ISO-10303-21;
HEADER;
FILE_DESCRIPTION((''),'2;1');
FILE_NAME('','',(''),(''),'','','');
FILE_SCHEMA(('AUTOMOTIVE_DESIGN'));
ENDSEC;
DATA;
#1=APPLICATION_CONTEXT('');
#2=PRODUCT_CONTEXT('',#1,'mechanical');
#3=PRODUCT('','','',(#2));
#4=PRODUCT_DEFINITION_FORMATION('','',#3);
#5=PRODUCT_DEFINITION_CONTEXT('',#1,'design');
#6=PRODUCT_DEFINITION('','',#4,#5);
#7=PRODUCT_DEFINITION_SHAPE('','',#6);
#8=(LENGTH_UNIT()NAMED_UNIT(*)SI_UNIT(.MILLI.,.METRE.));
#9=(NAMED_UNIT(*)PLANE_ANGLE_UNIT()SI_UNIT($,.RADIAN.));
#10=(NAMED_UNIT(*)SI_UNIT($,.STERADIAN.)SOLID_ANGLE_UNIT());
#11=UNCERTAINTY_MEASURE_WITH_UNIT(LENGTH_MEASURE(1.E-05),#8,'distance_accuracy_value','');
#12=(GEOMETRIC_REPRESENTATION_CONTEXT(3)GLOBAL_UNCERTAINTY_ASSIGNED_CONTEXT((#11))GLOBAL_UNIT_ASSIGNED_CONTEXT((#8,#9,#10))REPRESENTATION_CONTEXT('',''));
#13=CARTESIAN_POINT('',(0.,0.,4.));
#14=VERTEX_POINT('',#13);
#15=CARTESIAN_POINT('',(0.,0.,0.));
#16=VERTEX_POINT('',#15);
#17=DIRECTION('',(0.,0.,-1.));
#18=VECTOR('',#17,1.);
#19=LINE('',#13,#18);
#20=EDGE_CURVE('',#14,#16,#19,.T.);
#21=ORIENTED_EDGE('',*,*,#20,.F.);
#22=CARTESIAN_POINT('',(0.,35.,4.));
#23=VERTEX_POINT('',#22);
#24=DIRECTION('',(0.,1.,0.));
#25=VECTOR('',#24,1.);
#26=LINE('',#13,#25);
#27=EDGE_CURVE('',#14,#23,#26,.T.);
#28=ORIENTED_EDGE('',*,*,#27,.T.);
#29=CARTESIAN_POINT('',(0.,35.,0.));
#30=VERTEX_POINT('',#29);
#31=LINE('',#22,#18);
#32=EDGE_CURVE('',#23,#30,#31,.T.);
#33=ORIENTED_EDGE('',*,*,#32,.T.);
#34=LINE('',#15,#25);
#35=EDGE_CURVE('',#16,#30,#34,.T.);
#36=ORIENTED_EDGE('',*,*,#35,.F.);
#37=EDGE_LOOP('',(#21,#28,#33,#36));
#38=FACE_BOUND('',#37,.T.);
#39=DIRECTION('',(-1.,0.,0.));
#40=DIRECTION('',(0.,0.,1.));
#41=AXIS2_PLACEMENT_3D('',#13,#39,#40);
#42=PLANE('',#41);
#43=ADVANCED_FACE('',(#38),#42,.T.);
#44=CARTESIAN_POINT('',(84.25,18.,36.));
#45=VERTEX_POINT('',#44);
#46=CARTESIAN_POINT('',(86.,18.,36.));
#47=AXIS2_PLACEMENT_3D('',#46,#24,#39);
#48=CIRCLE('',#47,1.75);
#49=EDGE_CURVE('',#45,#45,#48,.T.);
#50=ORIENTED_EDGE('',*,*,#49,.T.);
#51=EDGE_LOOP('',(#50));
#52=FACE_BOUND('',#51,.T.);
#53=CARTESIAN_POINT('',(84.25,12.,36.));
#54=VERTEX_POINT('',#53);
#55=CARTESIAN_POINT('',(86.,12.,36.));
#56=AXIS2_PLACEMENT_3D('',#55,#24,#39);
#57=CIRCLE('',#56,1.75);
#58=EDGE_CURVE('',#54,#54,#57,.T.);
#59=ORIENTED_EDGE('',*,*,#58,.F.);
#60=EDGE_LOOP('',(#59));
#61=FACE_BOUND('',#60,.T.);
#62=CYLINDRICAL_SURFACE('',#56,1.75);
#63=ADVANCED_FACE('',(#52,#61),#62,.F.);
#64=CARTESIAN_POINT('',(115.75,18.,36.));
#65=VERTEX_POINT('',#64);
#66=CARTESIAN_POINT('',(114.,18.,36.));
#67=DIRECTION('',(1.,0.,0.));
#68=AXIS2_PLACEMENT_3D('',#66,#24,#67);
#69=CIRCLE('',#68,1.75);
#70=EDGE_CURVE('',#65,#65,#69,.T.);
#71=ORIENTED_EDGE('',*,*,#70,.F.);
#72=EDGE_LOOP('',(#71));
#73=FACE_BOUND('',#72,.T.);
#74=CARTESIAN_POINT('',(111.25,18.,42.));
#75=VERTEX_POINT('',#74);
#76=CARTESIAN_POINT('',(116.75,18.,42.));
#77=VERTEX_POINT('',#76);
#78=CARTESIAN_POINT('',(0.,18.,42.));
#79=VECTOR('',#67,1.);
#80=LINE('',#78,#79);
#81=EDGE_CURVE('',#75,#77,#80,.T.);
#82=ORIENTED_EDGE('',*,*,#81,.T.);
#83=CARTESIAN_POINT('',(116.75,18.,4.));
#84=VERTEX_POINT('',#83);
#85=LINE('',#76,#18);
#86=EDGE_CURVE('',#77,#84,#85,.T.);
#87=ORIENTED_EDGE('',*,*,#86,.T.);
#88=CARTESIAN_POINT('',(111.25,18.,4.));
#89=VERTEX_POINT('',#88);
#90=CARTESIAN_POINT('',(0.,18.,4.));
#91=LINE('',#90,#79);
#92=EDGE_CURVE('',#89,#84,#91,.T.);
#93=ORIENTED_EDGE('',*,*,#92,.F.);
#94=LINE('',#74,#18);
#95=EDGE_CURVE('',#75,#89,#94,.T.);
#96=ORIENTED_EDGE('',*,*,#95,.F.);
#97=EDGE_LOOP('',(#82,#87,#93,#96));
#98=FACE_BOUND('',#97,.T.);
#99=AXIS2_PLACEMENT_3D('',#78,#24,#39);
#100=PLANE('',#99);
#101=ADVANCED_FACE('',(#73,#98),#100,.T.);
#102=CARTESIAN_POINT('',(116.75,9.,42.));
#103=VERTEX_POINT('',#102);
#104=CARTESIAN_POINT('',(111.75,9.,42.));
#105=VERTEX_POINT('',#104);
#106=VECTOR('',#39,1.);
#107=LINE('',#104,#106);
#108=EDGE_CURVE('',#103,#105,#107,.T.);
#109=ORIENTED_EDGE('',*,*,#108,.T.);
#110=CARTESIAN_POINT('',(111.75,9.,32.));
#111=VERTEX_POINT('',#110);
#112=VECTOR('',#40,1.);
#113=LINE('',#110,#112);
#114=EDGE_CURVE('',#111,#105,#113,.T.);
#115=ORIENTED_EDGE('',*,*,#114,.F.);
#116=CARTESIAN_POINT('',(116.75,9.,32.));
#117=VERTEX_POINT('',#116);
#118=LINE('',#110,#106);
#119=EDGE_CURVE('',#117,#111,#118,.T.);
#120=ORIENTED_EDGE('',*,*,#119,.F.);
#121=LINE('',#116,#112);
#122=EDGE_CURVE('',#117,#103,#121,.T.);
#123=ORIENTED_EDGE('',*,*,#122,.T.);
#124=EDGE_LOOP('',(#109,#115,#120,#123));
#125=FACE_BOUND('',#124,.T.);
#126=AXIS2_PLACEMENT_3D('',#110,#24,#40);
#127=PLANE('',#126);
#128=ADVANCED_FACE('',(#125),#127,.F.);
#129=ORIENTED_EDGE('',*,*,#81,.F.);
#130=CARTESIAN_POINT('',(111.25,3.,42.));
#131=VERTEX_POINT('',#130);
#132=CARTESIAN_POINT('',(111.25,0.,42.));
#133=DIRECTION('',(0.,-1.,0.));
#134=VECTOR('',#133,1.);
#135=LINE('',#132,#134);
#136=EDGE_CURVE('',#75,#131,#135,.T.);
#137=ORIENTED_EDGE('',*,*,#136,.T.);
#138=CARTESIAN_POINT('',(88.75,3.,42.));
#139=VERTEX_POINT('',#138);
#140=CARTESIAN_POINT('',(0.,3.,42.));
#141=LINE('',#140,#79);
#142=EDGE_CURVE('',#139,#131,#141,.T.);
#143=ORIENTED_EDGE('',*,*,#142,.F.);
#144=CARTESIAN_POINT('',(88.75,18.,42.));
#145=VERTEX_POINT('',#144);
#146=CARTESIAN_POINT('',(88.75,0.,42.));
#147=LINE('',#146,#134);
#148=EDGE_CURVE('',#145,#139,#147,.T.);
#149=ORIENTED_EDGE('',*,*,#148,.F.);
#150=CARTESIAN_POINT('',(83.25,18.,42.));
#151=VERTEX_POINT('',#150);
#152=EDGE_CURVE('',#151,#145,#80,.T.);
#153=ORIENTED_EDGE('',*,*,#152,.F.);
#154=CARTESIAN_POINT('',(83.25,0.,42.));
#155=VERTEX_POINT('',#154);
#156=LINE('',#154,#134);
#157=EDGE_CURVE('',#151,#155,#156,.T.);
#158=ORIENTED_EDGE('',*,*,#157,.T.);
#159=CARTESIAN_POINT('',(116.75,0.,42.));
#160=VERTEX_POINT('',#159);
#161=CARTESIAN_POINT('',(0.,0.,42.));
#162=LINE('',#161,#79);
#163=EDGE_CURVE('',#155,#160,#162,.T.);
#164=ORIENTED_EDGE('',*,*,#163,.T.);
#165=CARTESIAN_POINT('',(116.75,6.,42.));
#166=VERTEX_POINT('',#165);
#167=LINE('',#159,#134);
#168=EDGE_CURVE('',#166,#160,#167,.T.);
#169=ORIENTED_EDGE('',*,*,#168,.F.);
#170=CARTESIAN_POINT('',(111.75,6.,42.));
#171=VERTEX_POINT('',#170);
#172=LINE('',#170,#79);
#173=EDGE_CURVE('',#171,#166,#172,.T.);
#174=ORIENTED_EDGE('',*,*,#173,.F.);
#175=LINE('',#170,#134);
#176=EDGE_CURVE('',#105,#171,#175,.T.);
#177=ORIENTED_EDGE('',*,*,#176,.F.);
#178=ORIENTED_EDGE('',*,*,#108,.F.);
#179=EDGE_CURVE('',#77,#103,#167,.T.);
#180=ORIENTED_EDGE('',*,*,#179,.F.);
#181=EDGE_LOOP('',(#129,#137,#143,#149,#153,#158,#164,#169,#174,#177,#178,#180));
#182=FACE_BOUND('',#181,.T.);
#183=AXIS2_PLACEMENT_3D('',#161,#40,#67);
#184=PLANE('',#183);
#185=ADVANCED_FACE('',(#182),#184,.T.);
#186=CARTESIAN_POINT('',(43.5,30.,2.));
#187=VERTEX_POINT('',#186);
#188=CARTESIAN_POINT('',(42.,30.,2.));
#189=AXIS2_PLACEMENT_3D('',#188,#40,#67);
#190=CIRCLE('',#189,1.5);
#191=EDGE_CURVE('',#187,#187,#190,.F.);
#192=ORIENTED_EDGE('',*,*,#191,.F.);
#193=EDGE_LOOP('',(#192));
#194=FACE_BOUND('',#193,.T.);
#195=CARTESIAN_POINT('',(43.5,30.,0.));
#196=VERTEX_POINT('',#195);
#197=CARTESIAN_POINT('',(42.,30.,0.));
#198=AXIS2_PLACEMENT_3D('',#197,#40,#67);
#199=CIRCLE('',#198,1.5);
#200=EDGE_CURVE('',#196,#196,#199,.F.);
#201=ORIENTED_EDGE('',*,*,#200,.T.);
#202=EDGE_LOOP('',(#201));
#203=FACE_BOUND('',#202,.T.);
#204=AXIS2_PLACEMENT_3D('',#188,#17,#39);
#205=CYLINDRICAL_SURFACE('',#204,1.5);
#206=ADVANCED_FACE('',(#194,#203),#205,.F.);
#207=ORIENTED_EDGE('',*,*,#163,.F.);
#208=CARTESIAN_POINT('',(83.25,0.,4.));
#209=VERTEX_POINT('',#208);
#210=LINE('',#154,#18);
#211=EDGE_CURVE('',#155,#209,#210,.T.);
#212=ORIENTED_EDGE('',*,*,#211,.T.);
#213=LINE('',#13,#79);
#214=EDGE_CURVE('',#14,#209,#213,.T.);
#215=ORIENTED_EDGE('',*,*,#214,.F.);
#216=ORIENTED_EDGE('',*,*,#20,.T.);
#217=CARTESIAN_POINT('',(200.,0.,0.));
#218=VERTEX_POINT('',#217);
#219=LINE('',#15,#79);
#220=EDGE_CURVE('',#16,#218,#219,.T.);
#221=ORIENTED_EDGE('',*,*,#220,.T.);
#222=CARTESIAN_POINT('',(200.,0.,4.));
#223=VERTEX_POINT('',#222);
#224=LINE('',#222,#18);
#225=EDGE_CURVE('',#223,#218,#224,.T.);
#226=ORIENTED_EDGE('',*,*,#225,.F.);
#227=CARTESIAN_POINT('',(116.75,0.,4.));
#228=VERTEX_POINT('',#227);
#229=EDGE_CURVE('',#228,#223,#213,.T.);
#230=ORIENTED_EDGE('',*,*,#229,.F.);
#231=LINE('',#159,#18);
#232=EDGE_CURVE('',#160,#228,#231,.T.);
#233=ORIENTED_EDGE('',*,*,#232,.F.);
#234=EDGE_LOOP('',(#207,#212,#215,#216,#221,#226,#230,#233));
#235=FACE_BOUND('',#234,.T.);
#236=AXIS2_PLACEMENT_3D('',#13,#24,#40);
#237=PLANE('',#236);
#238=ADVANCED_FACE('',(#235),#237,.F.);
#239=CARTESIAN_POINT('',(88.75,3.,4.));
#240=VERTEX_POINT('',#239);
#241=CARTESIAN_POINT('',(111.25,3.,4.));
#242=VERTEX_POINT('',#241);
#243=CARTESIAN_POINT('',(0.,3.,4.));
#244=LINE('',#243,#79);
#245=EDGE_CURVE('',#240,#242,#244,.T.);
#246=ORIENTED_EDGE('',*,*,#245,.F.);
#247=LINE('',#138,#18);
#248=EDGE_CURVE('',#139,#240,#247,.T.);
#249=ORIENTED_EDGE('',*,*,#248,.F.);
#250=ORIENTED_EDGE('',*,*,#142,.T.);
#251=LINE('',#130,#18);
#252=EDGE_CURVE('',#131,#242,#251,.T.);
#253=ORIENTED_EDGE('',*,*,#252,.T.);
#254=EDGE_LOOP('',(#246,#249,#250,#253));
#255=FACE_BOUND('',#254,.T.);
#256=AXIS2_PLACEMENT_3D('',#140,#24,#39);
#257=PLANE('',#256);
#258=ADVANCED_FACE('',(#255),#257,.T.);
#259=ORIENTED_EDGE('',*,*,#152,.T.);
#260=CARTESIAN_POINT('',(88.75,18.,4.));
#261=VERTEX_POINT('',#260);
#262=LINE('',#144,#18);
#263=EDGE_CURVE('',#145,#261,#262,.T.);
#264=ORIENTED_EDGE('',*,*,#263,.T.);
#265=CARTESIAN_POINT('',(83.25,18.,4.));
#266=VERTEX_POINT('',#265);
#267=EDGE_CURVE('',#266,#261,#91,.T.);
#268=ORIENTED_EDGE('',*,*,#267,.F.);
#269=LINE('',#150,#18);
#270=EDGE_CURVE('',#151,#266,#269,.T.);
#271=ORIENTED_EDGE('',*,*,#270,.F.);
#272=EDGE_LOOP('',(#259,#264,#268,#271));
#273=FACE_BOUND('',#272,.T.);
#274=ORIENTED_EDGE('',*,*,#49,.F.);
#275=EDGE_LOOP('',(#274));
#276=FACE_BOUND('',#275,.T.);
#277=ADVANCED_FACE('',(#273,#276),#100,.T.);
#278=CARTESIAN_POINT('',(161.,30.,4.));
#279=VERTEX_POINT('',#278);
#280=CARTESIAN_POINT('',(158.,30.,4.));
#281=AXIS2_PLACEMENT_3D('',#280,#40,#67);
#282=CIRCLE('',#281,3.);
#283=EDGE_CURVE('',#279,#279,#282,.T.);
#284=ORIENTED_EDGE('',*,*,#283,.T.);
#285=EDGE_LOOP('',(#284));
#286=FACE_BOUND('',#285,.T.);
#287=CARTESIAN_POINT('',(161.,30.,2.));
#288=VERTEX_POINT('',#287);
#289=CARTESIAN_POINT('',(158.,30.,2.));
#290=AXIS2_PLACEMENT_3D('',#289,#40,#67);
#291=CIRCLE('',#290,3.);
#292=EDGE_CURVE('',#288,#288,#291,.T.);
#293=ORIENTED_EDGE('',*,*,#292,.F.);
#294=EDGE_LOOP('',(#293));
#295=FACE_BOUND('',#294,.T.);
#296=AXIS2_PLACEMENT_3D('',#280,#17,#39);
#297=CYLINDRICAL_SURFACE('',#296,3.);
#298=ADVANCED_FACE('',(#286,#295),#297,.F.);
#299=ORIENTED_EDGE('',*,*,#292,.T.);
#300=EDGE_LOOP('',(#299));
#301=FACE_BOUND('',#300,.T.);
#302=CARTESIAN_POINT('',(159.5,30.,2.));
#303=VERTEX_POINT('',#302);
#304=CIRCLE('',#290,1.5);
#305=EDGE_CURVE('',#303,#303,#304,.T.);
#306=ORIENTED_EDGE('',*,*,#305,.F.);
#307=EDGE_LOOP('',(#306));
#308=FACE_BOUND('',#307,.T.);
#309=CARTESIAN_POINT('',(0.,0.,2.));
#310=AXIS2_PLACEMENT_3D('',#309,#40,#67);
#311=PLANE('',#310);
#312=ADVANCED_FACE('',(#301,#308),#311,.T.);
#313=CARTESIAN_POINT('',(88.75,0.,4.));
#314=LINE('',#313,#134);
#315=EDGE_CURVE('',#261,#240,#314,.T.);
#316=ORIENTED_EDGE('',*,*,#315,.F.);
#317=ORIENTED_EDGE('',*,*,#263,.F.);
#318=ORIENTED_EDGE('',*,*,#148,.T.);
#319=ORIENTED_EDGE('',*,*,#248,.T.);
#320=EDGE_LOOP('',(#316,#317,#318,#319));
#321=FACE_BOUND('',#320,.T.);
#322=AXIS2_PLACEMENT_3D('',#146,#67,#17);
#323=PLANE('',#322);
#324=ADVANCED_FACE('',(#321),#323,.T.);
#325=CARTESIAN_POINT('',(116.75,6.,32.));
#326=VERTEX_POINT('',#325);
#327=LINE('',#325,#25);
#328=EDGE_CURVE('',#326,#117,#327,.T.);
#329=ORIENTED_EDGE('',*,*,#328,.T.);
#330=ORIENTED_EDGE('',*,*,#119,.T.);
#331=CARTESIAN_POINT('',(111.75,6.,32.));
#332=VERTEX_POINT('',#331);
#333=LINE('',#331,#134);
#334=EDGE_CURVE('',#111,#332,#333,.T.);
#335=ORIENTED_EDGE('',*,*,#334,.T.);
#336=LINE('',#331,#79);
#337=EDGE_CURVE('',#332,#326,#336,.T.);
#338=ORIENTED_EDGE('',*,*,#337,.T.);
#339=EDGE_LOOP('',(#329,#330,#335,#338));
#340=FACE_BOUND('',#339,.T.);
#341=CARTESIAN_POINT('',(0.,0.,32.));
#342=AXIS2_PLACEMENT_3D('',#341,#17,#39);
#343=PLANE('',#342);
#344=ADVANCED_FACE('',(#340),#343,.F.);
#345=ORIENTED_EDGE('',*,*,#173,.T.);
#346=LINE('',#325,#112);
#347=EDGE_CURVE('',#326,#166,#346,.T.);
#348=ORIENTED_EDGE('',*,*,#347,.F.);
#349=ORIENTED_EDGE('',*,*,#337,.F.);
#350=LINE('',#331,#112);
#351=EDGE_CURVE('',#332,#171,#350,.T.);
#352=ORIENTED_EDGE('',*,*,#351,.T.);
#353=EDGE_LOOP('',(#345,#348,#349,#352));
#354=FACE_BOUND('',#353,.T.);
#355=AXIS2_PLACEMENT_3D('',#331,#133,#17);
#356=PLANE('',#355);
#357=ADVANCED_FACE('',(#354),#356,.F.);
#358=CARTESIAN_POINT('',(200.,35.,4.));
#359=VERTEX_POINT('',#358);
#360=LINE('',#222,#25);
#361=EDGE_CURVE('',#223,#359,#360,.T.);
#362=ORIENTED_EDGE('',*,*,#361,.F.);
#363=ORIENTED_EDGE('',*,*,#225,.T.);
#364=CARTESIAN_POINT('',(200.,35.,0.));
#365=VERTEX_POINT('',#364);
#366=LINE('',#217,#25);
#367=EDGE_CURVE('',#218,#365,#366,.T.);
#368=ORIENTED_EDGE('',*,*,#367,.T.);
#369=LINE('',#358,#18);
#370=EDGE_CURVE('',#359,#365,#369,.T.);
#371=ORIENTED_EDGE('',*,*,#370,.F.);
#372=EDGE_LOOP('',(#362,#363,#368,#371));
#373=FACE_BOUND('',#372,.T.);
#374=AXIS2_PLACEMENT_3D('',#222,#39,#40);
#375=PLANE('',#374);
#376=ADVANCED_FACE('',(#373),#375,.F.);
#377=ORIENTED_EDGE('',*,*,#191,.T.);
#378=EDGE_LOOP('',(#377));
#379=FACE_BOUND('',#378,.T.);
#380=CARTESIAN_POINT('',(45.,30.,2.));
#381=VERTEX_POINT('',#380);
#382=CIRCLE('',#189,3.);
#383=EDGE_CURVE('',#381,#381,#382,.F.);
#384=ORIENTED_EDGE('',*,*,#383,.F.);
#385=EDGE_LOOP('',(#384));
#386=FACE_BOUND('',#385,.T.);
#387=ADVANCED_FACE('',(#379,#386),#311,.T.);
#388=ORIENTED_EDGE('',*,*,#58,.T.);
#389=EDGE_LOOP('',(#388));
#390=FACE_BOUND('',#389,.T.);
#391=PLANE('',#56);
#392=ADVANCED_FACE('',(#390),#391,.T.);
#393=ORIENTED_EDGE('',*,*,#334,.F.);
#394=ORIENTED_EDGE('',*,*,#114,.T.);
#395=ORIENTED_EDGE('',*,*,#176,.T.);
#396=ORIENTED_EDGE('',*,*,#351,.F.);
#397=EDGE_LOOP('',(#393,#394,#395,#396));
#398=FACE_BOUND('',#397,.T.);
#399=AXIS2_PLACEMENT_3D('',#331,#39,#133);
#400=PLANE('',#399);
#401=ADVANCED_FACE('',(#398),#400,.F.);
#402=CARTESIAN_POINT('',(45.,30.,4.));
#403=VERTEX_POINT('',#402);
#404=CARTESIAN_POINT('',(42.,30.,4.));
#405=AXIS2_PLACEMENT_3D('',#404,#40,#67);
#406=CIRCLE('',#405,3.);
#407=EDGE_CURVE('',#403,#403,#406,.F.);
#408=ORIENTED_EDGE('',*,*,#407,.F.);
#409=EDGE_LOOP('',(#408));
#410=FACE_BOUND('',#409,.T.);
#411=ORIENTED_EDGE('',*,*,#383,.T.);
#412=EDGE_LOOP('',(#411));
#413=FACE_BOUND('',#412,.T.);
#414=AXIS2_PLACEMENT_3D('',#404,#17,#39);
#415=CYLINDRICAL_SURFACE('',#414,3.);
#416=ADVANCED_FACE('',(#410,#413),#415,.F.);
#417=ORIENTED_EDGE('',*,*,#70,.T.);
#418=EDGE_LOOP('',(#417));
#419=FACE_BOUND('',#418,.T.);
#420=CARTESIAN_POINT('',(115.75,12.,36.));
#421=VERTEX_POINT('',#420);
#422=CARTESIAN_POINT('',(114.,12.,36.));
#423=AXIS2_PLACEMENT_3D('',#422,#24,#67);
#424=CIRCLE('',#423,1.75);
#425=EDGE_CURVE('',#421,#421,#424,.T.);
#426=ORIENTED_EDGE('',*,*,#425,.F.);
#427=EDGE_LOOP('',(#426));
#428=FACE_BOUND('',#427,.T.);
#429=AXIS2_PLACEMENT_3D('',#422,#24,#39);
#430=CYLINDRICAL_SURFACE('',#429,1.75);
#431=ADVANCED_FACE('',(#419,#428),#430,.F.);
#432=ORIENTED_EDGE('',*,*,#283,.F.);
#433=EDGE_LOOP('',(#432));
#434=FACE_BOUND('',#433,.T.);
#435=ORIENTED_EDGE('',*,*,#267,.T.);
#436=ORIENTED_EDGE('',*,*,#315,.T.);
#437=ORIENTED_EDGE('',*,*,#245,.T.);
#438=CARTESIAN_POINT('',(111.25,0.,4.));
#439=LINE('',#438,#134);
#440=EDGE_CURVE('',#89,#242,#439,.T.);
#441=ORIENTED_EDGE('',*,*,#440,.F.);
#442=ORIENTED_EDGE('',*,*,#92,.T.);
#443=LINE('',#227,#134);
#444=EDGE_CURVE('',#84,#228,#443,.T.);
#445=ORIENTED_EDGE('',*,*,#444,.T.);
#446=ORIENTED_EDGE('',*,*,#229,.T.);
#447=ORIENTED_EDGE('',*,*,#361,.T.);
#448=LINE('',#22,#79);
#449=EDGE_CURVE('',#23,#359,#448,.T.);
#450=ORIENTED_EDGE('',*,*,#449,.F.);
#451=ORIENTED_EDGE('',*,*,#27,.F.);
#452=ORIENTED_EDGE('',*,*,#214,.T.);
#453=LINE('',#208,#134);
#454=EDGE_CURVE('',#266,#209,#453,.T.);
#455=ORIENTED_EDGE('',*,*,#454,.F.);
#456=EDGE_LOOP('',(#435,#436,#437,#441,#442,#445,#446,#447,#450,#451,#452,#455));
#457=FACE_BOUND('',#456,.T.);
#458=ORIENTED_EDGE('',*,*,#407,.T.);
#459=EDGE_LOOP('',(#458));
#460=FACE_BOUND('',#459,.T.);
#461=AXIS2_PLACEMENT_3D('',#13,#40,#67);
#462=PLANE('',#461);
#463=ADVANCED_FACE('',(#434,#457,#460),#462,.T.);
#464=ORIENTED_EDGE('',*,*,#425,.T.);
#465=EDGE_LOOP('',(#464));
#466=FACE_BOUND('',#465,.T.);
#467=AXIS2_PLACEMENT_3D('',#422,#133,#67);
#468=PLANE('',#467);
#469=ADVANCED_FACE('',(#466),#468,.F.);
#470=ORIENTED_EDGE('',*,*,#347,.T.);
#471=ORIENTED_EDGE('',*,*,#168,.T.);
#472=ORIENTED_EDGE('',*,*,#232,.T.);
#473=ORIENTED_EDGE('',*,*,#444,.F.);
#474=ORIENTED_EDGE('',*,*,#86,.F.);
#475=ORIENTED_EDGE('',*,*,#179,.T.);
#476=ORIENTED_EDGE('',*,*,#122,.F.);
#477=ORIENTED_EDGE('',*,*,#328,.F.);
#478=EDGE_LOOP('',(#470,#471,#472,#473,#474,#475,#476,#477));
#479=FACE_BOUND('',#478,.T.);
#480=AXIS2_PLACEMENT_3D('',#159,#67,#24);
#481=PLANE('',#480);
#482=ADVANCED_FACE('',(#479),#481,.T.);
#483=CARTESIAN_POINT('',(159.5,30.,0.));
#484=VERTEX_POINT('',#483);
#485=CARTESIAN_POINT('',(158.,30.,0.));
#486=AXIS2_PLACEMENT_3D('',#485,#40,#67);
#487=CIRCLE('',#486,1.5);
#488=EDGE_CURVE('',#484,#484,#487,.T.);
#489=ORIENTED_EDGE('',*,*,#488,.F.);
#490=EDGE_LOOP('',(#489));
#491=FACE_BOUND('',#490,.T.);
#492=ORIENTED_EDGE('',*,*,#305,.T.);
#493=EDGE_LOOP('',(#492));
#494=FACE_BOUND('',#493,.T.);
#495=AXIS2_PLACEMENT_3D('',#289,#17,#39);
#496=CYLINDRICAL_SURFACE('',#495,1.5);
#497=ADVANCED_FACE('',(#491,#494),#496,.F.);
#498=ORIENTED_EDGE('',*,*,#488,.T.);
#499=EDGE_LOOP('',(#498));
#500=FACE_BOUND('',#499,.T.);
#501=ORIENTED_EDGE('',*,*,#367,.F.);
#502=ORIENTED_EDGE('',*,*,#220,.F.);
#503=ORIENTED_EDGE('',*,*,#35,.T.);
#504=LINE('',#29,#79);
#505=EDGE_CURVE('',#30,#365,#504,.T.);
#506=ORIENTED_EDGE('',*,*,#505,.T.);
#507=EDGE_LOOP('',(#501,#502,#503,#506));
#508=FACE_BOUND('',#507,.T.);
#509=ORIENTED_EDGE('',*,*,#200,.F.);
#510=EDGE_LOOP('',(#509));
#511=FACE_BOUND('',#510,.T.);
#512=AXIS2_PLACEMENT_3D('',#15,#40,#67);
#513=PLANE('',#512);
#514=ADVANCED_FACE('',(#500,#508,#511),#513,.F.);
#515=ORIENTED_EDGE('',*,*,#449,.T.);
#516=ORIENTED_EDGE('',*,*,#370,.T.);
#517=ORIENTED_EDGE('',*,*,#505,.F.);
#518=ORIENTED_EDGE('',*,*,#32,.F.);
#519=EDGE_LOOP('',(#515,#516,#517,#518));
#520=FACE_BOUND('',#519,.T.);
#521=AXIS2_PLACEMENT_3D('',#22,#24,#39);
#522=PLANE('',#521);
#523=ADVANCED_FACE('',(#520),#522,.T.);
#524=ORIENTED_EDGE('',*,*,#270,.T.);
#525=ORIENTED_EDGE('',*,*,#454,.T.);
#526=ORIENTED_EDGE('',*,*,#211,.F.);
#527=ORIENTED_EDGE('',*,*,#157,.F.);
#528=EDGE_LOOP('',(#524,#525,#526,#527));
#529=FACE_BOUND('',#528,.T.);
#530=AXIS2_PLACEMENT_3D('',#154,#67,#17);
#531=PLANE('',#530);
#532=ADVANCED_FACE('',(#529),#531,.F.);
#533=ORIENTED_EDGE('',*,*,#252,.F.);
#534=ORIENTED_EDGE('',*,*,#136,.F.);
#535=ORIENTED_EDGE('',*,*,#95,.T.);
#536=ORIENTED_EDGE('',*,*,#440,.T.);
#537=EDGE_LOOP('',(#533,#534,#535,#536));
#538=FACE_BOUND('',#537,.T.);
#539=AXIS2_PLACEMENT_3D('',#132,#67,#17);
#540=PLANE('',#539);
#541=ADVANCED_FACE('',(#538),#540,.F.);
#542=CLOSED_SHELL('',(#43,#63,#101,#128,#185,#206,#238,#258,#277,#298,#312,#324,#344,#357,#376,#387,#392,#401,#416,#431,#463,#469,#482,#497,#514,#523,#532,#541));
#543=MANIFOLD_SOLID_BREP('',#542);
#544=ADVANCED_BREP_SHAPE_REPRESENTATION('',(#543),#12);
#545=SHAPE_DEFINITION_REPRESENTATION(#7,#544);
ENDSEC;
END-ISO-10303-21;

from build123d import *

# Parameters (mm, degrees)
SKETCH1_W           = 200
SKETCH1_H           = 35
SKETCH1_R           = 3
BODY_DEPTH          = 4
SKETCH1_3_R         = 3
SKETCH1_3_R_2       = 1.5
SCREW_INSERTS_DEPTH = 2
SERVO_INSERT_DEPTH  = 38
SKETCH3_W           = 5
SKETCH3_H           = 3
WIRE_CHANNEL_DEPTH  = 10
SKETCH4_R           = 1.75
M2X4X3_5_DEPTH      = 6


with BuildPart() as part:
    # Sketch1 → Body (new body)
    with BuildSketch(Plane.XY):
        with Locations((100, 17.5)):
            Rectangle(SKETCH1_W, SKETCH1_H)
        with Locations((158, 30)):
            Circle(SKETCH1_R, mode=Mode.SUBTRACT)
        with Locations((42, 30)):
            Circle(SKETCH1_R, mode=Mode.SUBTRACT)
    extrude(amount=BODY_DEPTH)

    # Sketch1<3> → Screw Inserts (add)
    # profile 1 of 2: a face of its own
    with BuildSketch(Plane.XY):
        with Locations((158, 30)):
            Circle(SKETCH1_3_R)
        with Locations((158, 30)):
            Circle(SKETCH1_3_R_2, mode=Mode.SUBTRACT)
    # profile 2 of 2: a face of its own
    with BuildSketch(Plane.XY):
        with Locations((42, 30)):
            Circle(SKETCH1_3_R)
        with Locations((42, 30)):
            Circle(SKETCH1_3_R_2, mode=Mode.SUBTRACT)
    extrude(amount=SCREW_INSERTS_DEPTH)

    # Sketch2 → Servo Insert (add)
    with BuildSketch(Plane.XY.offset(4)):
        Polygon((88.75, 18), (83.25, 18), (83.25, 0), (116.75, 0), (116.75, 18), (111.25, 18), (111.25, 3), (88.75, 3), align=None)
    extrude(amount=SERVO_INSERT_DEPTH)

    # Sketch3 → Wire Channel (cut)
    with BuildSketch(Plane.XY.offset(42)):
        with Locations((114.25, 7.5)):
            Rectangle(SKETCH3_W, SKETCH3_H)
    extrude(amount=-WIRE_CHANNEL_DEPTH, mode=Mode.SUBTRACT)

    # Sketch4 → M2x4x3.5 (cut)
    with BuildSketch(Plane(origin=(0, 18, 0), x_dir=(1, 0, 0), z_dir=(0, 1, 0))):
        with Locations((86, -36)):
            Circle(SKETCH4_R)
        with Locations((114, -36)):
            Circle(SKETCH4_R)
    extrude(amount=-M2X4X3_5_DEPTH, mode=Mode.SUBTRACT)


solid = part.part
